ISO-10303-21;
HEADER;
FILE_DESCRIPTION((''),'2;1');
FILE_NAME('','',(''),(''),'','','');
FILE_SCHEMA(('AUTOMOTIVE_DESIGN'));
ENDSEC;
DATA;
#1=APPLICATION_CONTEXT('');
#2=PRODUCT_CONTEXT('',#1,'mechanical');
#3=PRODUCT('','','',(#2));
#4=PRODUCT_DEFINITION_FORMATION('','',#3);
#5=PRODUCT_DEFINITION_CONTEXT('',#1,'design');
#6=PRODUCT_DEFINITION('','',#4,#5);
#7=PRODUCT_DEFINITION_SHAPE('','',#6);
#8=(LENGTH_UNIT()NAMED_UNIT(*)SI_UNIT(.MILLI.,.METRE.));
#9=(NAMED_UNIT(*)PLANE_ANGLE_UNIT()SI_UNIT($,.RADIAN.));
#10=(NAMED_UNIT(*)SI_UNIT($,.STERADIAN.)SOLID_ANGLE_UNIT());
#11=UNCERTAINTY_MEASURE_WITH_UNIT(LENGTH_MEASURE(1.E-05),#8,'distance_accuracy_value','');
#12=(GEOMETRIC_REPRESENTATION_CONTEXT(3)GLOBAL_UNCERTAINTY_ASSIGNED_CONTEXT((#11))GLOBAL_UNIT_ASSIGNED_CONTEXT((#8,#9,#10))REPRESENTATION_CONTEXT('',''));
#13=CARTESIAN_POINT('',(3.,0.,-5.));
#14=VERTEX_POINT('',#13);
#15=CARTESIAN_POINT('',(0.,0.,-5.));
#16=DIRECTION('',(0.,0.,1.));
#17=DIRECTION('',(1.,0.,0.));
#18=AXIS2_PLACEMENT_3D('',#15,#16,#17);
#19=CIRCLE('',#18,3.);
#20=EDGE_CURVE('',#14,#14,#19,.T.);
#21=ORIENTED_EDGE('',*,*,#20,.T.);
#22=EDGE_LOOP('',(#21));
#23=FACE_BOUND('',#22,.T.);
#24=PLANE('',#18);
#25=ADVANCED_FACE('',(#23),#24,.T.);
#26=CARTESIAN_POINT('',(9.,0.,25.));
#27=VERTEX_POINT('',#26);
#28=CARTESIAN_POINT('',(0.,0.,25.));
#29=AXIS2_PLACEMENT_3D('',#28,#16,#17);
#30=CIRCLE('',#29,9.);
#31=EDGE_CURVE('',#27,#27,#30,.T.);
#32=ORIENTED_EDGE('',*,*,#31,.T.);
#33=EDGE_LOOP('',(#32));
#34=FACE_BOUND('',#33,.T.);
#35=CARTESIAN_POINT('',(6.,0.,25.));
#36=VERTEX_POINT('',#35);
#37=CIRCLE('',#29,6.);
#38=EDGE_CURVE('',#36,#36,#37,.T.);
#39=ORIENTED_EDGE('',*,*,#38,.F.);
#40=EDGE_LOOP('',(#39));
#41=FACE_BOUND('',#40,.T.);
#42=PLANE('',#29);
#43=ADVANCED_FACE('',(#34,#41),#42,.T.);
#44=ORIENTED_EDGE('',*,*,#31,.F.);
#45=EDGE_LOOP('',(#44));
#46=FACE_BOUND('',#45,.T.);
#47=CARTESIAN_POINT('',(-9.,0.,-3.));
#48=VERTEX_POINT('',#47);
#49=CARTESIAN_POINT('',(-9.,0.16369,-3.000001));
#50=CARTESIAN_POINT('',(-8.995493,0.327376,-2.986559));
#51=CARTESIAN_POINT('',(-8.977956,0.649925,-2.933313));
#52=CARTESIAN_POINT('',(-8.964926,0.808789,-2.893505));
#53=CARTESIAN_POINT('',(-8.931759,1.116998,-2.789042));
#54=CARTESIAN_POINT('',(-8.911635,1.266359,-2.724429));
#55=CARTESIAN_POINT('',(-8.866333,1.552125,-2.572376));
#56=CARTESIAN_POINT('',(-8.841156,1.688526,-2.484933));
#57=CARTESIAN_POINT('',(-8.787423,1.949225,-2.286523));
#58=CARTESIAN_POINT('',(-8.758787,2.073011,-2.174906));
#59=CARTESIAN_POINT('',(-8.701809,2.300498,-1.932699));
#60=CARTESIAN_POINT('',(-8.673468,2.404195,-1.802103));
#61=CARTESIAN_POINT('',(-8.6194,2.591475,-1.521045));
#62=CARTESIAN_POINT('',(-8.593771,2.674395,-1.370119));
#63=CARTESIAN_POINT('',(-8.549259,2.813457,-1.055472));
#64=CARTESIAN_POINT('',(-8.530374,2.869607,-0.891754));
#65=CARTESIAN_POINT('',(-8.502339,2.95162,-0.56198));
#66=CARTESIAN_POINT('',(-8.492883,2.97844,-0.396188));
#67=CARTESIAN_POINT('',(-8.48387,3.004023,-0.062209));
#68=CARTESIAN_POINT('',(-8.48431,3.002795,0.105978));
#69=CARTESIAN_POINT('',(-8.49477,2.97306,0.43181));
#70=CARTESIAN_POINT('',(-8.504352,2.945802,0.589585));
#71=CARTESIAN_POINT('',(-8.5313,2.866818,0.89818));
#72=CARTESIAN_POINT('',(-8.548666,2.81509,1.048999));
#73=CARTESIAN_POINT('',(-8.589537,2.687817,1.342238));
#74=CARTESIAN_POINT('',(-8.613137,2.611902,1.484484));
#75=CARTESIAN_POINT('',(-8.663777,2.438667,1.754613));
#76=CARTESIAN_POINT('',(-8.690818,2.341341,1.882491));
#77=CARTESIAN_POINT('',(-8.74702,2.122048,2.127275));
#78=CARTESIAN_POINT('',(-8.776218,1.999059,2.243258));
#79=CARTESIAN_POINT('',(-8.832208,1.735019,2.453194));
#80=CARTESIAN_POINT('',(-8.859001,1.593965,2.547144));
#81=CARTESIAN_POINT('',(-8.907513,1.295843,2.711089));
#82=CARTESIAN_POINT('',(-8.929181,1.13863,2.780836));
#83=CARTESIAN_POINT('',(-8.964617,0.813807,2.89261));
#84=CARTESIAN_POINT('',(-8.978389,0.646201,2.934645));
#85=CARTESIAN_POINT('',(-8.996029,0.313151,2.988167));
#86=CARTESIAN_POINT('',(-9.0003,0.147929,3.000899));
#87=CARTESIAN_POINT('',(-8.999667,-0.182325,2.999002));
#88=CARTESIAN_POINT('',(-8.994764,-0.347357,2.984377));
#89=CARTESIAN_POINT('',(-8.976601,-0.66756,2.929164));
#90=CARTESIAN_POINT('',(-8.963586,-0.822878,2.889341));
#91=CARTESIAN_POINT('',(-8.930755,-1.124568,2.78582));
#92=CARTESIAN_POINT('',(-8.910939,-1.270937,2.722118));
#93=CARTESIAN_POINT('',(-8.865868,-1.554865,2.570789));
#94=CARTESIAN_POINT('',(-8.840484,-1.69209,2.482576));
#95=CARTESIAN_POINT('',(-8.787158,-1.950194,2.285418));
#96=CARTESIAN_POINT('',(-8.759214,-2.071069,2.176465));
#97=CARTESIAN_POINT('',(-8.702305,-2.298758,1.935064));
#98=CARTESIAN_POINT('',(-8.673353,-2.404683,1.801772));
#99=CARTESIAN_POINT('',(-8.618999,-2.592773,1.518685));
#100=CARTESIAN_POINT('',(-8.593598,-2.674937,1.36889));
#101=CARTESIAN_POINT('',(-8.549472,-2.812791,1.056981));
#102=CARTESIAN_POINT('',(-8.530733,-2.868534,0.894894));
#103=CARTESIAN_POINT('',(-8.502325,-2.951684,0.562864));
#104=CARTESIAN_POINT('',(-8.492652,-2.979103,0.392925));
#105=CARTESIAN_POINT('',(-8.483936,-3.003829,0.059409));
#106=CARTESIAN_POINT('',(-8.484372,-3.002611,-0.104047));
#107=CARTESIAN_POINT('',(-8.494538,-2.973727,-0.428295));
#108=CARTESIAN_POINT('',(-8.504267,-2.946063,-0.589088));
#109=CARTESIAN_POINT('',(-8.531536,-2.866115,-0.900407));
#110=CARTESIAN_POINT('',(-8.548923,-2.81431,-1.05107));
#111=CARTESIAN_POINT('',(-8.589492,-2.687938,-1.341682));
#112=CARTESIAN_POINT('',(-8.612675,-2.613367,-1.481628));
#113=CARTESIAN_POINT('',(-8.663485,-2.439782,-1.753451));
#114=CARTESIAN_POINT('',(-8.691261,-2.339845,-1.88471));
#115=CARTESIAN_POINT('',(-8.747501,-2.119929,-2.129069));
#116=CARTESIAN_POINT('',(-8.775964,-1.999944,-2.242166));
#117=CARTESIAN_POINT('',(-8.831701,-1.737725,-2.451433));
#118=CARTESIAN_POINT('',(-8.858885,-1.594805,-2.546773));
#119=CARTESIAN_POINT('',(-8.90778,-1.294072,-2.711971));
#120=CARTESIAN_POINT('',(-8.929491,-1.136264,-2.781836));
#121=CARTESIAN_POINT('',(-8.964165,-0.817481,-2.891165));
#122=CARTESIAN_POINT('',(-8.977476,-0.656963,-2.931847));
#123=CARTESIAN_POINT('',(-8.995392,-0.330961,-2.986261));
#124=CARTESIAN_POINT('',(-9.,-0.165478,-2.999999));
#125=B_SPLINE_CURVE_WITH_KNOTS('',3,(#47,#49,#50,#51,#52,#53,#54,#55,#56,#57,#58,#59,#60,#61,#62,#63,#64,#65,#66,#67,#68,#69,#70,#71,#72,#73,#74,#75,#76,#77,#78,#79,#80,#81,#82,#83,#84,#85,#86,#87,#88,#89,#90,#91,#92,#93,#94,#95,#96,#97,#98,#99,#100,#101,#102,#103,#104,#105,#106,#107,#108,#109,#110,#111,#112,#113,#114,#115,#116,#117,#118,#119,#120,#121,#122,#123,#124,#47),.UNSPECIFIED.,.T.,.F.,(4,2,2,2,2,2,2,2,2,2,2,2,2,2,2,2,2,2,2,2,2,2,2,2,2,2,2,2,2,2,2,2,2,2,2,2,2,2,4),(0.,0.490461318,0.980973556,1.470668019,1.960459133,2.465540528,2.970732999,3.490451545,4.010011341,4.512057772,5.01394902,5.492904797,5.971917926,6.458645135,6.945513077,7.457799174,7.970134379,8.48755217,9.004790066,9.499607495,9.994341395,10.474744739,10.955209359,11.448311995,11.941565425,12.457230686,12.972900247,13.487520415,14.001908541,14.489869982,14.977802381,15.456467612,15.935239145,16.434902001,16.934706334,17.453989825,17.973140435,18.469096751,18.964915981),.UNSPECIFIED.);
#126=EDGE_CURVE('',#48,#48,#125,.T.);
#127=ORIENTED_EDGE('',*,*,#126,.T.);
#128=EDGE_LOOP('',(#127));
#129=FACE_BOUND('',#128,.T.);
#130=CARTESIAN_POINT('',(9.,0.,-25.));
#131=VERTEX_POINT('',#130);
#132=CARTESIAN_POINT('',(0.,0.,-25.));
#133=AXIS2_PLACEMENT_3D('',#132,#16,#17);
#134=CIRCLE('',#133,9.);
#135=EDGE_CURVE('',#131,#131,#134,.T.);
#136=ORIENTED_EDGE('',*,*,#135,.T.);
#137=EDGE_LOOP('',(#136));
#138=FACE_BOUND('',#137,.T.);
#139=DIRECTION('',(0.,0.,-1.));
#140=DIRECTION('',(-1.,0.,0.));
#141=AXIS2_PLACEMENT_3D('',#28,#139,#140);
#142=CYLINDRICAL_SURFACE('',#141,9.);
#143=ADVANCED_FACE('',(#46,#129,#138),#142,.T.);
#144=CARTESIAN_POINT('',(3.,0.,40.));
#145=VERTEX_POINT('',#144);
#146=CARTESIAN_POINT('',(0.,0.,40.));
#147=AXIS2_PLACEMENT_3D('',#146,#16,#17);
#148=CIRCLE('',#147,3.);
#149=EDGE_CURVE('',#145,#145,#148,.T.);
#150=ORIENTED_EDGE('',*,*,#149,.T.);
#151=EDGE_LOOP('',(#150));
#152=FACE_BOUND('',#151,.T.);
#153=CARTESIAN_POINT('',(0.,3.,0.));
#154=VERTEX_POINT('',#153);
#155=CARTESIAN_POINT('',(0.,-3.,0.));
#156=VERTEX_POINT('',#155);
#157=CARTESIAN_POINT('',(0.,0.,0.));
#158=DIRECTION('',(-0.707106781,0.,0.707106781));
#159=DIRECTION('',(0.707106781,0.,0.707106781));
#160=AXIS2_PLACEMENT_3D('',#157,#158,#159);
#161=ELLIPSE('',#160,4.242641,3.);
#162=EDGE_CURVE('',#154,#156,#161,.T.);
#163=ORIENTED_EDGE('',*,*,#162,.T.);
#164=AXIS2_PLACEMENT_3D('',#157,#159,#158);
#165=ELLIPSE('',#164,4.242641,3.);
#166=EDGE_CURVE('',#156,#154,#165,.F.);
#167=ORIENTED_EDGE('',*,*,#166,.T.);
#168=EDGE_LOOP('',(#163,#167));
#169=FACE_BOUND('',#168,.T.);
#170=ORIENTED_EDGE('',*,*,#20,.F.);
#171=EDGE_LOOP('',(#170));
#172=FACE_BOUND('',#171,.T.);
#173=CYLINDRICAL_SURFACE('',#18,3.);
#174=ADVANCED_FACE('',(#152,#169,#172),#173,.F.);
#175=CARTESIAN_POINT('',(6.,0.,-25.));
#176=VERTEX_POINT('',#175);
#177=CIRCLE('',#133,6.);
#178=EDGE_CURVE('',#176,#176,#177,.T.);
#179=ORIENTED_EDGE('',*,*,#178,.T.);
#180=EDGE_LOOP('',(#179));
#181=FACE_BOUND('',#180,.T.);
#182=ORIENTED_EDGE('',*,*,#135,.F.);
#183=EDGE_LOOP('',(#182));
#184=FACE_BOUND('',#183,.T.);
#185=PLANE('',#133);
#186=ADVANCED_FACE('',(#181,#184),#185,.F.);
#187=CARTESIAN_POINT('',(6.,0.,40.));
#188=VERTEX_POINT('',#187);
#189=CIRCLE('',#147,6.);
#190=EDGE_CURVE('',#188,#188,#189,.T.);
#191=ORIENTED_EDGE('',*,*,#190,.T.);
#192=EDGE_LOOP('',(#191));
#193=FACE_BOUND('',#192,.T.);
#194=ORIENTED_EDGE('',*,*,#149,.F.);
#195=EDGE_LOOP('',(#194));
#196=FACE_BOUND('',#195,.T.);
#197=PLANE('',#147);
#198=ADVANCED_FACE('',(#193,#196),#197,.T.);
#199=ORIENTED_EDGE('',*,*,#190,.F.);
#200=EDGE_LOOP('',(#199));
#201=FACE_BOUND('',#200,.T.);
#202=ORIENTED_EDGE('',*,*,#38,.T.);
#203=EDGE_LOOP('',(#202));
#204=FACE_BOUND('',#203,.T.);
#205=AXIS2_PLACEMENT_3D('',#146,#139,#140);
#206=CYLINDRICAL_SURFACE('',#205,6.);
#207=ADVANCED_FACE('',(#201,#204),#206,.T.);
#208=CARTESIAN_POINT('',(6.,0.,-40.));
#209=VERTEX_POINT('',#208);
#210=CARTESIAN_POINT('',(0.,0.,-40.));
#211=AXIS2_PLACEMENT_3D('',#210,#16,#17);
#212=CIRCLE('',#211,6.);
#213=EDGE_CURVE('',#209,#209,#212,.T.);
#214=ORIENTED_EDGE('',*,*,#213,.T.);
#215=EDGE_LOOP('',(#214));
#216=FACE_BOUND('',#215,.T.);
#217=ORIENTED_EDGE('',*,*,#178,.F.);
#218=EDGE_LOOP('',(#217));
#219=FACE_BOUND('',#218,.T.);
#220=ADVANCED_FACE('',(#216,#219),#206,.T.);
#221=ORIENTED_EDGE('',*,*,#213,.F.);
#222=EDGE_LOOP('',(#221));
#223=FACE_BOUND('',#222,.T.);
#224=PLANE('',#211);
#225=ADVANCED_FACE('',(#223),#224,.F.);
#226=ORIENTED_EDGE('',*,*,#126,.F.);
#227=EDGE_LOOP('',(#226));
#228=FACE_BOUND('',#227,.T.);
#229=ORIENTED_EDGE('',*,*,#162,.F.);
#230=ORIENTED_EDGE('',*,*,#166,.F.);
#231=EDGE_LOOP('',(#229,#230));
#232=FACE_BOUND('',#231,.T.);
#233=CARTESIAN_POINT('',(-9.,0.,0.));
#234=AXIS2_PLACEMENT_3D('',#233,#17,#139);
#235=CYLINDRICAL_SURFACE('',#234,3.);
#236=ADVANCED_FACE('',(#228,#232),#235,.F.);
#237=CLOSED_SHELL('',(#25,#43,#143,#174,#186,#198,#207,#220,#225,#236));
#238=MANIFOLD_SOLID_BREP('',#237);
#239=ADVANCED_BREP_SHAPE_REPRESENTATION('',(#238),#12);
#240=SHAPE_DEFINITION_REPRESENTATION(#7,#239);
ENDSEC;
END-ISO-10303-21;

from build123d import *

# Parameters (mm, degrees)
SKETCH1_R           = 6
BOSS_EXTRUDE1_DEPTH = 40
SKETCH2_R           = 9
BOSS_EXTRUDE2_DEPTH = 25
SKETCH4_R           = 3
CUT_EXTRUDE1_DEPTH  = 45
SKETCH6_R           = 3
CUT_EXTRUDE2_DEPTH  = 10


with BuildPart() as part:
    # Sketch1 → Boss-Extrude1 (new body, symmetric)
    with BuildSketch(Plane.XY):
        Circle(SKETCH1_R)
    extrude(amount=BOSS_EXTRUDE1_DEPTH, both=True)

    # Sketch2 → Boss-Extrude2 (add, symmetric)
    with BuildSketch(Plane.XY):
        Circle(SKETCH2_R)
    extrude(amount=BOSS_EXTRUDE2_DEPTH, both=True)

    # Sketch4 → Cut-Extrude1 (cut)
    with BuildSketch(Plane.XY.offset(40)):
        Circle(SKETCH4_R)
    extrude(amount=-CUT_EXTRUDE1_DEPTH, mode=Mode.SUBTRACT)

    # Sketch6 → Cut-Extrude2 (cut, through all)
    with BuildSketch(Plane(origin=(0, 0, 0), x_dir=(0, 0, -1), z_dir=(1, 0, 0))):
        Circle(SKETCH6_R)
    extrude(amount=-CUT_EXTRUDE2_DEPTH, mode=Mode.SUBTRACT)


solid = part.part
